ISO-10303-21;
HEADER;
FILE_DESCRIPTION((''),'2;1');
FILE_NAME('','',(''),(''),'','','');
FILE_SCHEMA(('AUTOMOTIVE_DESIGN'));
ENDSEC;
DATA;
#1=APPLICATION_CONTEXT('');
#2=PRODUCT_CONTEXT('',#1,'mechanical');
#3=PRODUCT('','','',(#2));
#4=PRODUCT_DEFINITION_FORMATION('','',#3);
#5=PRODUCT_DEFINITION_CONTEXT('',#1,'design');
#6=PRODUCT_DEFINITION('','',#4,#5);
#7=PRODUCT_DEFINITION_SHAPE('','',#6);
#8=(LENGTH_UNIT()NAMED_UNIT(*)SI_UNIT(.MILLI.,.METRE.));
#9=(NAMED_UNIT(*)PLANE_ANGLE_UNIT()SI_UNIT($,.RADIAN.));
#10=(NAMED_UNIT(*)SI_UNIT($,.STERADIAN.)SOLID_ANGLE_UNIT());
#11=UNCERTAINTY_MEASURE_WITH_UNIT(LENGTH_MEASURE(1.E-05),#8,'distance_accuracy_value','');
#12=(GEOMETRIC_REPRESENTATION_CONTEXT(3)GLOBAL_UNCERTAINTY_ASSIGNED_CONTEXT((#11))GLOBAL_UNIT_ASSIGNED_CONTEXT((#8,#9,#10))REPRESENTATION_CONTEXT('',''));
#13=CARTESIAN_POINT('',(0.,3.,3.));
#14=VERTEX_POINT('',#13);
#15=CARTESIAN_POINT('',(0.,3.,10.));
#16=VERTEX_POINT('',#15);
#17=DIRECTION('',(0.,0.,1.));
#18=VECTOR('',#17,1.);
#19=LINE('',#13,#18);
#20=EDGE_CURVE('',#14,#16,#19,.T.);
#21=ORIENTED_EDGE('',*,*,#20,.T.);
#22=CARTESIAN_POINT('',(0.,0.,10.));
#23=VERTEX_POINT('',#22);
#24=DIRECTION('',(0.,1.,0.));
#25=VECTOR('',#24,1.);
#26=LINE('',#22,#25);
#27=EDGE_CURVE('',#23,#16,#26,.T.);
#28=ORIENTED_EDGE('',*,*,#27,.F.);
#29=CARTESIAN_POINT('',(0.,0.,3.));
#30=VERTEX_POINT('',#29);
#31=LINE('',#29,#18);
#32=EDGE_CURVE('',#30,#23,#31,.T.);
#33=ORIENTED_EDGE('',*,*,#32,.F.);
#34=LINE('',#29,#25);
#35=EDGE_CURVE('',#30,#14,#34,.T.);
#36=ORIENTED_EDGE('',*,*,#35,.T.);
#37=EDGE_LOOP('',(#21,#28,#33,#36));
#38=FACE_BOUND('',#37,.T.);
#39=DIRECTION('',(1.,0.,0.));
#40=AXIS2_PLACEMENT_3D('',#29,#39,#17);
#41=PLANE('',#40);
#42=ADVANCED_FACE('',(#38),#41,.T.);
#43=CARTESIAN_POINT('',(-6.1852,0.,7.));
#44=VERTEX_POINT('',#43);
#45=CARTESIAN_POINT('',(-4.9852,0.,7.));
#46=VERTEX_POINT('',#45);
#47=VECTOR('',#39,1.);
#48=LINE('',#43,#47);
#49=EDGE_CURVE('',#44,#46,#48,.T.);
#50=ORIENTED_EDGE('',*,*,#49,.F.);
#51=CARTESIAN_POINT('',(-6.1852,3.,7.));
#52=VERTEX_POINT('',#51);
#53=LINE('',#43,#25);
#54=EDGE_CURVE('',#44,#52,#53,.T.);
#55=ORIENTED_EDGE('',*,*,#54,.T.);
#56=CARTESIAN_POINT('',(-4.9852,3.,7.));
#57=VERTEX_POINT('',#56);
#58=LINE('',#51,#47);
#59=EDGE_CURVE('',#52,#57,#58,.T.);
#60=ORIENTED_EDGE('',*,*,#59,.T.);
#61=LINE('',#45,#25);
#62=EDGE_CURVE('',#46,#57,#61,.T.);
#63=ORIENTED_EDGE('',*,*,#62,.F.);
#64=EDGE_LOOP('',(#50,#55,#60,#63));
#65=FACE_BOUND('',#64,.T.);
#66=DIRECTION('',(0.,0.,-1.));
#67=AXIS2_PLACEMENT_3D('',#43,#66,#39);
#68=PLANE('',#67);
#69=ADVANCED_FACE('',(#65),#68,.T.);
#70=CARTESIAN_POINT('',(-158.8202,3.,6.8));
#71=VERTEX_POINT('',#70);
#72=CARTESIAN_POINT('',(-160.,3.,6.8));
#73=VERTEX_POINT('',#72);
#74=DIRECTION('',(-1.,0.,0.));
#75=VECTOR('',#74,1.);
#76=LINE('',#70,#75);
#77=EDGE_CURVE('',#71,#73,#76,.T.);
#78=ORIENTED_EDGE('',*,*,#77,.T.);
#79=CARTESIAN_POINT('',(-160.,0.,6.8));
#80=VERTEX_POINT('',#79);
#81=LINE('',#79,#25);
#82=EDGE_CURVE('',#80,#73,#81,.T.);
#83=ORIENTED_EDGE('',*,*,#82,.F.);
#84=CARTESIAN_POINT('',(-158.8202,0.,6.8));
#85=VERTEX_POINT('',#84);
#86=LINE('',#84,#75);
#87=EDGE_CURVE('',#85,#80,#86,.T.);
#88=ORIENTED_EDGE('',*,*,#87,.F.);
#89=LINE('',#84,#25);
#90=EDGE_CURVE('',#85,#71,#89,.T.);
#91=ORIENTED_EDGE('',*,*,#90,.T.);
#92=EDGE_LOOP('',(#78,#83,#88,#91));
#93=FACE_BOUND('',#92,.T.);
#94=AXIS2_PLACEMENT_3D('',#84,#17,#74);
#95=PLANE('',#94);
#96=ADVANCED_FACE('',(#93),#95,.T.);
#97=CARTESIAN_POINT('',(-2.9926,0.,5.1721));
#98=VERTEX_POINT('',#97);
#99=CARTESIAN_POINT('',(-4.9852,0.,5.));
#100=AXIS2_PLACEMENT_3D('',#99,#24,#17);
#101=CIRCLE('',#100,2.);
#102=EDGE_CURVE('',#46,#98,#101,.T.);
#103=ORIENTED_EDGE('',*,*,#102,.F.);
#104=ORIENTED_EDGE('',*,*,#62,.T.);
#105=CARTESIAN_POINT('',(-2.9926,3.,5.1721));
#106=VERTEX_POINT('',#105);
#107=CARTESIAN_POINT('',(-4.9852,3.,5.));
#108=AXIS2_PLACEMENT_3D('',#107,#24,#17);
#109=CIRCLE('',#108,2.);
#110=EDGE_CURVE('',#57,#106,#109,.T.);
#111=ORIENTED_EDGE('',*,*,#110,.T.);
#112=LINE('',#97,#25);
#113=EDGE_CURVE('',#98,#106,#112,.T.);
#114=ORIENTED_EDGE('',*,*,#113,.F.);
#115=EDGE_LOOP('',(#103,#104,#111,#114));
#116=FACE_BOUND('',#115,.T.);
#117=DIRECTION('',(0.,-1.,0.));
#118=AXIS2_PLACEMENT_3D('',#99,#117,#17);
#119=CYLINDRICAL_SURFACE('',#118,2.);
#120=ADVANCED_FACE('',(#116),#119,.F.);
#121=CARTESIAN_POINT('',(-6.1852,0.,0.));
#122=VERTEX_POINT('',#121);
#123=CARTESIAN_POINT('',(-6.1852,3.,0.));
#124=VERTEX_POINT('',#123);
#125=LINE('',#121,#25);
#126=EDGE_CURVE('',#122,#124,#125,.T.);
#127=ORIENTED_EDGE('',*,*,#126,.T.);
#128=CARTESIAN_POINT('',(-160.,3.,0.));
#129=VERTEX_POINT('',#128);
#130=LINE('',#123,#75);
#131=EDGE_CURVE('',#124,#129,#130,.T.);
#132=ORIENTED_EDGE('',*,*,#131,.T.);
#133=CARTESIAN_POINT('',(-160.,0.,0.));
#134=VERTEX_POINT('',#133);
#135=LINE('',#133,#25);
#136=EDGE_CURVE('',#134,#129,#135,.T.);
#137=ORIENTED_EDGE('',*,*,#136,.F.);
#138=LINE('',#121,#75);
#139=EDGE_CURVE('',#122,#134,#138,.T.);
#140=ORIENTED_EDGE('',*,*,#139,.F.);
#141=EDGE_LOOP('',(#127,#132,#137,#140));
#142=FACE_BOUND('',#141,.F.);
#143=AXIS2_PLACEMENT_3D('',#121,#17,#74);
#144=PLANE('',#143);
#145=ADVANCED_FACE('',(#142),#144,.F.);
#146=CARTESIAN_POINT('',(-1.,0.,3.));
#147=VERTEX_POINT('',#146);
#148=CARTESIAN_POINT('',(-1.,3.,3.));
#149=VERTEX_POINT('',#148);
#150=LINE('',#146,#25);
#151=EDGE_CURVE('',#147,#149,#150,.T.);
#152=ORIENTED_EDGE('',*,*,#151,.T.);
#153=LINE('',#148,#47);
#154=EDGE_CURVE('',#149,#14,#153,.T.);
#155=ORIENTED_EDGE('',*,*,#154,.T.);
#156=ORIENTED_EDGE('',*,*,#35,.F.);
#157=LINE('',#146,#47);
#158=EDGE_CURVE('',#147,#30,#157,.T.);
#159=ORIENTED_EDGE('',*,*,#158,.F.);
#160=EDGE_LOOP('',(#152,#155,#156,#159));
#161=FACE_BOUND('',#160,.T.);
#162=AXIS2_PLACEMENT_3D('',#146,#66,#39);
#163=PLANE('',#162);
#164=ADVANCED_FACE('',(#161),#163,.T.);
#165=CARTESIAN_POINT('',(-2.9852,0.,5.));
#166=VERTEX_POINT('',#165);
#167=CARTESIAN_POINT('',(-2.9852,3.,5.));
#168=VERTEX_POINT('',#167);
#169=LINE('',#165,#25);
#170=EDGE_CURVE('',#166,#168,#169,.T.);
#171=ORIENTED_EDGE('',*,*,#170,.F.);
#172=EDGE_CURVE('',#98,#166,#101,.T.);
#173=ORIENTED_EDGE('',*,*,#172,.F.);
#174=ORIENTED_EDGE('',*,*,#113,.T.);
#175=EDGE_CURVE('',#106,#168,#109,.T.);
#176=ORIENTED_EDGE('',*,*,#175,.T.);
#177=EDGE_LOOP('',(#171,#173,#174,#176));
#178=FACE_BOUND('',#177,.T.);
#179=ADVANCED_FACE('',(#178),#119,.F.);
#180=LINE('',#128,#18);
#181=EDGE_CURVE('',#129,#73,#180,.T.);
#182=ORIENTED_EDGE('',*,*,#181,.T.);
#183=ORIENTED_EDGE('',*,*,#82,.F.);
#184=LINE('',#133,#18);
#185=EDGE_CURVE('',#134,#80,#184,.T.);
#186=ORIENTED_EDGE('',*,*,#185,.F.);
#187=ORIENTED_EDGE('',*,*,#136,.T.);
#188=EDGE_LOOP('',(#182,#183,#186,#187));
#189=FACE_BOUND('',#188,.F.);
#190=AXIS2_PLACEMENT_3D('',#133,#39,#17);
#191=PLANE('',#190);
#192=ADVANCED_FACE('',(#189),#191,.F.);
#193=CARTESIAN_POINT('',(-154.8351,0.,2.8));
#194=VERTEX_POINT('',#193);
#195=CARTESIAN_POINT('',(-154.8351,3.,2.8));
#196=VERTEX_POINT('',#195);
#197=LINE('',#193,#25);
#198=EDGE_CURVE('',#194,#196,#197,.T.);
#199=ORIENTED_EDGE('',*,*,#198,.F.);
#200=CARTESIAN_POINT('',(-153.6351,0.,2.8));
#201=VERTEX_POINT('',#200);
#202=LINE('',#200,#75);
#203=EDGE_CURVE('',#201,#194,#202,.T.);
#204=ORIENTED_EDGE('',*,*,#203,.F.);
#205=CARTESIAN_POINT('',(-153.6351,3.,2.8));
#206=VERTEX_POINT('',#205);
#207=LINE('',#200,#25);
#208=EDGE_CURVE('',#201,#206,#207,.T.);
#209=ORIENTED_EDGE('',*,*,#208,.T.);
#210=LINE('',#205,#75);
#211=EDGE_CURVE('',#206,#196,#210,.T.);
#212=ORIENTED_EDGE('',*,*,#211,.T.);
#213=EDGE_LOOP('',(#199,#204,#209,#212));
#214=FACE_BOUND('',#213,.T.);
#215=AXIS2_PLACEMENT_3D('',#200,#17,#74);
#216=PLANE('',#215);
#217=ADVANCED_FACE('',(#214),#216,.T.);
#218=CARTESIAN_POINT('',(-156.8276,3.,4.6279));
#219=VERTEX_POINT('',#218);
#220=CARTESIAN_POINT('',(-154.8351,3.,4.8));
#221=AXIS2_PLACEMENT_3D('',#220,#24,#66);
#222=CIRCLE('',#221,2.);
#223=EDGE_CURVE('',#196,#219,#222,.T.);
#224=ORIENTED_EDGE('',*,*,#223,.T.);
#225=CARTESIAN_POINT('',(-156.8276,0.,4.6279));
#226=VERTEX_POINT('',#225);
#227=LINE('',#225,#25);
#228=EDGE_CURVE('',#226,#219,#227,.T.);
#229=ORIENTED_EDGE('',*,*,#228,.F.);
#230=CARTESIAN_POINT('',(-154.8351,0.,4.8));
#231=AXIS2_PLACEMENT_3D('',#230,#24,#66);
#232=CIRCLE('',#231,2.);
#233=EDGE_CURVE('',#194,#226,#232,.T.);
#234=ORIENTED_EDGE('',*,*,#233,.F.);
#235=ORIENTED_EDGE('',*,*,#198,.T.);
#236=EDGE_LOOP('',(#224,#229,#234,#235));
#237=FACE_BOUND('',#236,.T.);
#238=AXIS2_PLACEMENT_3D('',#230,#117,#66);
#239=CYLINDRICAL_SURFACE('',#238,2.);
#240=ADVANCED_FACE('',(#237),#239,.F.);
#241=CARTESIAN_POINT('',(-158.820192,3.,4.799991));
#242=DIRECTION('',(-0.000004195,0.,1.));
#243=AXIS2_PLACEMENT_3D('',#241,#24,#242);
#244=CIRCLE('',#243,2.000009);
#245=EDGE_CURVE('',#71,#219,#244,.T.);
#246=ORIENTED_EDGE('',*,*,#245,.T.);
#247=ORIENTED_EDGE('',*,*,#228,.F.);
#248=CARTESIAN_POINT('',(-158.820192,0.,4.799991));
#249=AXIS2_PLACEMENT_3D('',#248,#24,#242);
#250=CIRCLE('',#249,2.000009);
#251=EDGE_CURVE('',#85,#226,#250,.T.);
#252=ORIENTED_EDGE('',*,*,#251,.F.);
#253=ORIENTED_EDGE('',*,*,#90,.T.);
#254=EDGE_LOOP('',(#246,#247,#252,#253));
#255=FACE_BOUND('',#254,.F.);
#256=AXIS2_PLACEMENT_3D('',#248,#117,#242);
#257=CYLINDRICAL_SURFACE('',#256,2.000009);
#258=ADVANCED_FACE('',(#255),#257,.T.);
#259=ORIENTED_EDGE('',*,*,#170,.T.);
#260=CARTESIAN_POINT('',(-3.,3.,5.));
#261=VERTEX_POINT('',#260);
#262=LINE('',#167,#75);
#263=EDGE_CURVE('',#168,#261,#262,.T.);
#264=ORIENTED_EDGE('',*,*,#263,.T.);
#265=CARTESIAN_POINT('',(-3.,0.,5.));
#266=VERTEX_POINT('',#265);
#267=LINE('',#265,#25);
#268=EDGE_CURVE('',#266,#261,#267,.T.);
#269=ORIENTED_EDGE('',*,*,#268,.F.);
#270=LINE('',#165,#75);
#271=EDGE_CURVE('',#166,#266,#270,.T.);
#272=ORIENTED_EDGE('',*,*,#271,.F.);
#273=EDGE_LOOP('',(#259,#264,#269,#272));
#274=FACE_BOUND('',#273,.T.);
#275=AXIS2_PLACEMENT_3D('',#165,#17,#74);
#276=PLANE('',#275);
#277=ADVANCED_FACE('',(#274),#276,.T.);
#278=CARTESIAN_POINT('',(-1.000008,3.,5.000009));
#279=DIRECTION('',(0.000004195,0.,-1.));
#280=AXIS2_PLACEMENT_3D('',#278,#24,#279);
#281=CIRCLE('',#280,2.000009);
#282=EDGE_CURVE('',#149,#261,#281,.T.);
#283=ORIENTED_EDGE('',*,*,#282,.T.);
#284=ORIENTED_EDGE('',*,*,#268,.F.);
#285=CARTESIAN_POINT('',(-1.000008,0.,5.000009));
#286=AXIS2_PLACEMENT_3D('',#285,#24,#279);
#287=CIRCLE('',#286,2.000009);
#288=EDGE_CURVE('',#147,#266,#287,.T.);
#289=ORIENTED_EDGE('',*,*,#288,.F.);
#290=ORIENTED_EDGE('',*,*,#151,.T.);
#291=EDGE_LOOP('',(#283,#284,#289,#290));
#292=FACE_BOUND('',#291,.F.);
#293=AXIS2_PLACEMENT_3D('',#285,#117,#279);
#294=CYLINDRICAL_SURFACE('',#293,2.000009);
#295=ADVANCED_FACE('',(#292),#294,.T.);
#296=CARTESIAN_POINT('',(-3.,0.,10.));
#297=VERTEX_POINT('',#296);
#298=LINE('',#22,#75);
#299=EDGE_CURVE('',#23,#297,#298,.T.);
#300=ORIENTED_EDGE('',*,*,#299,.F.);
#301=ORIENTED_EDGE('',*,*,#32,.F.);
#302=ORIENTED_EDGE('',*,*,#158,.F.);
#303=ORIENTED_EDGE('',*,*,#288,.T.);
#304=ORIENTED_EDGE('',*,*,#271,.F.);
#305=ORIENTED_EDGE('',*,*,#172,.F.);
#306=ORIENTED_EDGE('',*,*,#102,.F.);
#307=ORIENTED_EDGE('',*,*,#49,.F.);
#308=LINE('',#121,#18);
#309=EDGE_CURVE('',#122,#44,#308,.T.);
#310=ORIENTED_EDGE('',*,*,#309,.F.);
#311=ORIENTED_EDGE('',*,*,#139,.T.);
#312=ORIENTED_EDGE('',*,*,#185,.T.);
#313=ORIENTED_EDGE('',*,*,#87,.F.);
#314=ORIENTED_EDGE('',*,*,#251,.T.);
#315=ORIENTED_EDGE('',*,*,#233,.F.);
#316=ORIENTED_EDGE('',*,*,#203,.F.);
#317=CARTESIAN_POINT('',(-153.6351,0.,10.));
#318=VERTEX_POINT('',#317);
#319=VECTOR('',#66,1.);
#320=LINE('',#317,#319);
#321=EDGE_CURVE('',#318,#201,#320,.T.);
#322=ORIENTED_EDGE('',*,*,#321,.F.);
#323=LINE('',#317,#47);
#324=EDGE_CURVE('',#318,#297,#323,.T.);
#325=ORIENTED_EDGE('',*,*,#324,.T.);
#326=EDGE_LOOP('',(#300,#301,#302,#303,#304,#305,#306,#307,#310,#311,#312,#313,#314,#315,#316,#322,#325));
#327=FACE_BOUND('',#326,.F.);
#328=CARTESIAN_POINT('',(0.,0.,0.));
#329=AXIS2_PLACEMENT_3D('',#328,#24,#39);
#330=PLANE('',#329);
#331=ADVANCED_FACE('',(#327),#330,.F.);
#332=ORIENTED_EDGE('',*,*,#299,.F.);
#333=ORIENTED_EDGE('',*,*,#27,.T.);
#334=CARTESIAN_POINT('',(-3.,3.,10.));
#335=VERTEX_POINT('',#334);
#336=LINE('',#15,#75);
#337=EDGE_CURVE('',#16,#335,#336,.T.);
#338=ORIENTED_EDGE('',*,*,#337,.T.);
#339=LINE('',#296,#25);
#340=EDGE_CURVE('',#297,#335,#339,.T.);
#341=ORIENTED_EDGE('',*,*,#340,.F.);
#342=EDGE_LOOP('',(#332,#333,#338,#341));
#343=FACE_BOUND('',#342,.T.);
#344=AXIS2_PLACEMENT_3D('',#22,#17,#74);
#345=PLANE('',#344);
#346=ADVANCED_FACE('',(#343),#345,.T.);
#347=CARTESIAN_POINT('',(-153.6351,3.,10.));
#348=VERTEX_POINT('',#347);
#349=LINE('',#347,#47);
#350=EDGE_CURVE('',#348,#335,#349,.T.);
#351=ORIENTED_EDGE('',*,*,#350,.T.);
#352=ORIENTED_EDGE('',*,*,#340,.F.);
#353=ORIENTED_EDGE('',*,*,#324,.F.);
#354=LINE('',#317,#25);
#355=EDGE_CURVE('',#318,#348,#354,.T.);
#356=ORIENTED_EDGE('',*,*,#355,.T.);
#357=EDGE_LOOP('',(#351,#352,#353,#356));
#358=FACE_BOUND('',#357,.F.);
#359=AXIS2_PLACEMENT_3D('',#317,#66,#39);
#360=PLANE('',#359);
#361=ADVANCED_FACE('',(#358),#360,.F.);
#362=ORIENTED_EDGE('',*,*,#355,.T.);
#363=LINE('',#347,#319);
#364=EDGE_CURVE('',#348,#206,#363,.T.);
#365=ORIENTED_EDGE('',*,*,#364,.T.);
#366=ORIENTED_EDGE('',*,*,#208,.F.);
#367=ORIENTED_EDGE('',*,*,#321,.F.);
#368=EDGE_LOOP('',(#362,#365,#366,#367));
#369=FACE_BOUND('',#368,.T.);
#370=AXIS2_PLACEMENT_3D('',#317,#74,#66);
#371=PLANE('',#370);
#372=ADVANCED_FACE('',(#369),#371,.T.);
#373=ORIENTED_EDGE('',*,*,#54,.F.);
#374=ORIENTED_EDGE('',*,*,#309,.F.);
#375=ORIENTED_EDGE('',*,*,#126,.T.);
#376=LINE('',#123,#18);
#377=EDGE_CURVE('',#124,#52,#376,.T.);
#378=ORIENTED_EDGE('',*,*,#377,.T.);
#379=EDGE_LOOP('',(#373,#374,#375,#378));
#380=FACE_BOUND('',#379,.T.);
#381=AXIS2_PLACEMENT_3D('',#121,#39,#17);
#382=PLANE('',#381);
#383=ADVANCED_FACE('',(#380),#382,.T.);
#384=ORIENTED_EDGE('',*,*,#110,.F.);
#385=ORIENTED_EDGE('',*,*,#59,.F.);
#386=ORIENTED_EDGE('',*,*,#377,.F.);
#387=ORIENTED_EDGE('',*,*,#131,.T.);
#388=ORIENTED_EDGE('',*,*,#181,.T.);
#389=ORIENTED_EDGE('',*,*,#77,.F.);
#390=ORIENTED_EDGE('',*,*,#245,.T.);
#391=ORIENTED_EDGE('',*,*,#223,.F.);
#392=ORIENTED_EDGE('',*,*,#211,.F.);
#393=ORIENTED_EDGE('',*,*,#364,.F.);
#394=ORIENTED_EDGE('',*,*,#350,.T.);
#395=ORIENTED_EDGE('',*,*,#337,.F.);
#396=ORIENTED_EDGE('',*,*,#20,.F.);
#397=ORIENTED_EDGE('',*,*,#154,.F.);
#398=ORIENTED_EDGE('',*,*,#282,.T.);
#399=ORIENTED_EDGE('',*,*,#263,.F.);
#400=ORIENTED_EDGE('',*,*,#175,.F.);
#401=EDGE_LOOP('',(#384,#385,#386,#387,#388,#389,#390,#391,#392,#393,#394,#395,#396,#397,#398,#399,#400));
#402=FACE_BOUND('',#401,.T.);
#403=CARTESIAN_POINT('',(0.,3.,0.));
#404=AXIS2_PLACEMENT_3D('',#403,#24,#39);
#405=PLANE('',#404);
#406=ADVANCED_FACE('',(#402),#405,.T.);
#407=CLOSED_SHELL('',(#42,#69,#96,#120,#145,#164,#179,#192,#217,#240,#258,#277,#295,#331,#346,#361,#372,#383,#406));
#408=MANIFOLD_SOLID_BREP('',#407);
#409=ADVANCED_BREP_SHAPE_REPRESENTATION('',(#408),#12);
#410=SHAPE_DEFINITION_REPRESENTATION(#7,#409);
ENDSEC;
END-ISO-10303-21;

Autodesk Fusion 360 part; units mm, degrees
sketch "Sketch1" plane through (0, 0, 0) normal (0, 1, 0) x (1, 0, 0)
  line L0 (-160, 0) -> (-160, -6.8)
  line L1 (0, -10) -> (-3, -10)
  line L2 (-1, -3) -> (0, -3)
  line L3 (0, -3) -> (0, -10)
  arc A0 (-1, -3) -> (-2.9926, -5.1721) centre (-1, -5) ccw
  line L4 (-6.1852, 0) -> (-6.1852, -7)
  line L5 (-6.1852, -7) -> (-4.9852, -7)
  arc A1 (-4.9852, -7) -> (-2.9852, -5) centre (-4.9852, -5) ccw
  line L6 (0, -10) -> (0, -3)
  line L7 (-2.9852, -5) -> (-3, -5)
  line L8 (-158.8202, -6.8) -> (-160, -6.8)
  arc A2 (-158.8202, -6.8) -> (-156.8276, -4.6279) centre (-158.8202, -4.8) ccw
  arc A3 (-154.8351, -2.8) -> (-156.8351, -4.8) centre (-154.8351, -4.8) ccw
  line L9 (-153.6351, -2.8) -> (-154.8351, -2.8)
  line L10 (-153.6351, -10) -> (-153.6351, -2.8)
  line L11 (-153.6351, -10) -> (0, -10)
  line L12 (-6.1852, 0) -> (-160, 0)
  point P0 (-2.9852, -7)
  dimension "d1" = 160
  dimension "d2" = 10
  dimension "d3" = 3
  dimension "d4" = 7
  dimension "d5" = 2
  dimension "d8" = 2
  dimension "d9" = 2
  dimension "d10" = 2
extrude "Extrude1" add sketch "Sketch1" along normal blind 3 contours L0 L1 L2 L3 A0 L4 L5 A1 L6 L7 L8 A2 A3 L9 L10 L11 L12
